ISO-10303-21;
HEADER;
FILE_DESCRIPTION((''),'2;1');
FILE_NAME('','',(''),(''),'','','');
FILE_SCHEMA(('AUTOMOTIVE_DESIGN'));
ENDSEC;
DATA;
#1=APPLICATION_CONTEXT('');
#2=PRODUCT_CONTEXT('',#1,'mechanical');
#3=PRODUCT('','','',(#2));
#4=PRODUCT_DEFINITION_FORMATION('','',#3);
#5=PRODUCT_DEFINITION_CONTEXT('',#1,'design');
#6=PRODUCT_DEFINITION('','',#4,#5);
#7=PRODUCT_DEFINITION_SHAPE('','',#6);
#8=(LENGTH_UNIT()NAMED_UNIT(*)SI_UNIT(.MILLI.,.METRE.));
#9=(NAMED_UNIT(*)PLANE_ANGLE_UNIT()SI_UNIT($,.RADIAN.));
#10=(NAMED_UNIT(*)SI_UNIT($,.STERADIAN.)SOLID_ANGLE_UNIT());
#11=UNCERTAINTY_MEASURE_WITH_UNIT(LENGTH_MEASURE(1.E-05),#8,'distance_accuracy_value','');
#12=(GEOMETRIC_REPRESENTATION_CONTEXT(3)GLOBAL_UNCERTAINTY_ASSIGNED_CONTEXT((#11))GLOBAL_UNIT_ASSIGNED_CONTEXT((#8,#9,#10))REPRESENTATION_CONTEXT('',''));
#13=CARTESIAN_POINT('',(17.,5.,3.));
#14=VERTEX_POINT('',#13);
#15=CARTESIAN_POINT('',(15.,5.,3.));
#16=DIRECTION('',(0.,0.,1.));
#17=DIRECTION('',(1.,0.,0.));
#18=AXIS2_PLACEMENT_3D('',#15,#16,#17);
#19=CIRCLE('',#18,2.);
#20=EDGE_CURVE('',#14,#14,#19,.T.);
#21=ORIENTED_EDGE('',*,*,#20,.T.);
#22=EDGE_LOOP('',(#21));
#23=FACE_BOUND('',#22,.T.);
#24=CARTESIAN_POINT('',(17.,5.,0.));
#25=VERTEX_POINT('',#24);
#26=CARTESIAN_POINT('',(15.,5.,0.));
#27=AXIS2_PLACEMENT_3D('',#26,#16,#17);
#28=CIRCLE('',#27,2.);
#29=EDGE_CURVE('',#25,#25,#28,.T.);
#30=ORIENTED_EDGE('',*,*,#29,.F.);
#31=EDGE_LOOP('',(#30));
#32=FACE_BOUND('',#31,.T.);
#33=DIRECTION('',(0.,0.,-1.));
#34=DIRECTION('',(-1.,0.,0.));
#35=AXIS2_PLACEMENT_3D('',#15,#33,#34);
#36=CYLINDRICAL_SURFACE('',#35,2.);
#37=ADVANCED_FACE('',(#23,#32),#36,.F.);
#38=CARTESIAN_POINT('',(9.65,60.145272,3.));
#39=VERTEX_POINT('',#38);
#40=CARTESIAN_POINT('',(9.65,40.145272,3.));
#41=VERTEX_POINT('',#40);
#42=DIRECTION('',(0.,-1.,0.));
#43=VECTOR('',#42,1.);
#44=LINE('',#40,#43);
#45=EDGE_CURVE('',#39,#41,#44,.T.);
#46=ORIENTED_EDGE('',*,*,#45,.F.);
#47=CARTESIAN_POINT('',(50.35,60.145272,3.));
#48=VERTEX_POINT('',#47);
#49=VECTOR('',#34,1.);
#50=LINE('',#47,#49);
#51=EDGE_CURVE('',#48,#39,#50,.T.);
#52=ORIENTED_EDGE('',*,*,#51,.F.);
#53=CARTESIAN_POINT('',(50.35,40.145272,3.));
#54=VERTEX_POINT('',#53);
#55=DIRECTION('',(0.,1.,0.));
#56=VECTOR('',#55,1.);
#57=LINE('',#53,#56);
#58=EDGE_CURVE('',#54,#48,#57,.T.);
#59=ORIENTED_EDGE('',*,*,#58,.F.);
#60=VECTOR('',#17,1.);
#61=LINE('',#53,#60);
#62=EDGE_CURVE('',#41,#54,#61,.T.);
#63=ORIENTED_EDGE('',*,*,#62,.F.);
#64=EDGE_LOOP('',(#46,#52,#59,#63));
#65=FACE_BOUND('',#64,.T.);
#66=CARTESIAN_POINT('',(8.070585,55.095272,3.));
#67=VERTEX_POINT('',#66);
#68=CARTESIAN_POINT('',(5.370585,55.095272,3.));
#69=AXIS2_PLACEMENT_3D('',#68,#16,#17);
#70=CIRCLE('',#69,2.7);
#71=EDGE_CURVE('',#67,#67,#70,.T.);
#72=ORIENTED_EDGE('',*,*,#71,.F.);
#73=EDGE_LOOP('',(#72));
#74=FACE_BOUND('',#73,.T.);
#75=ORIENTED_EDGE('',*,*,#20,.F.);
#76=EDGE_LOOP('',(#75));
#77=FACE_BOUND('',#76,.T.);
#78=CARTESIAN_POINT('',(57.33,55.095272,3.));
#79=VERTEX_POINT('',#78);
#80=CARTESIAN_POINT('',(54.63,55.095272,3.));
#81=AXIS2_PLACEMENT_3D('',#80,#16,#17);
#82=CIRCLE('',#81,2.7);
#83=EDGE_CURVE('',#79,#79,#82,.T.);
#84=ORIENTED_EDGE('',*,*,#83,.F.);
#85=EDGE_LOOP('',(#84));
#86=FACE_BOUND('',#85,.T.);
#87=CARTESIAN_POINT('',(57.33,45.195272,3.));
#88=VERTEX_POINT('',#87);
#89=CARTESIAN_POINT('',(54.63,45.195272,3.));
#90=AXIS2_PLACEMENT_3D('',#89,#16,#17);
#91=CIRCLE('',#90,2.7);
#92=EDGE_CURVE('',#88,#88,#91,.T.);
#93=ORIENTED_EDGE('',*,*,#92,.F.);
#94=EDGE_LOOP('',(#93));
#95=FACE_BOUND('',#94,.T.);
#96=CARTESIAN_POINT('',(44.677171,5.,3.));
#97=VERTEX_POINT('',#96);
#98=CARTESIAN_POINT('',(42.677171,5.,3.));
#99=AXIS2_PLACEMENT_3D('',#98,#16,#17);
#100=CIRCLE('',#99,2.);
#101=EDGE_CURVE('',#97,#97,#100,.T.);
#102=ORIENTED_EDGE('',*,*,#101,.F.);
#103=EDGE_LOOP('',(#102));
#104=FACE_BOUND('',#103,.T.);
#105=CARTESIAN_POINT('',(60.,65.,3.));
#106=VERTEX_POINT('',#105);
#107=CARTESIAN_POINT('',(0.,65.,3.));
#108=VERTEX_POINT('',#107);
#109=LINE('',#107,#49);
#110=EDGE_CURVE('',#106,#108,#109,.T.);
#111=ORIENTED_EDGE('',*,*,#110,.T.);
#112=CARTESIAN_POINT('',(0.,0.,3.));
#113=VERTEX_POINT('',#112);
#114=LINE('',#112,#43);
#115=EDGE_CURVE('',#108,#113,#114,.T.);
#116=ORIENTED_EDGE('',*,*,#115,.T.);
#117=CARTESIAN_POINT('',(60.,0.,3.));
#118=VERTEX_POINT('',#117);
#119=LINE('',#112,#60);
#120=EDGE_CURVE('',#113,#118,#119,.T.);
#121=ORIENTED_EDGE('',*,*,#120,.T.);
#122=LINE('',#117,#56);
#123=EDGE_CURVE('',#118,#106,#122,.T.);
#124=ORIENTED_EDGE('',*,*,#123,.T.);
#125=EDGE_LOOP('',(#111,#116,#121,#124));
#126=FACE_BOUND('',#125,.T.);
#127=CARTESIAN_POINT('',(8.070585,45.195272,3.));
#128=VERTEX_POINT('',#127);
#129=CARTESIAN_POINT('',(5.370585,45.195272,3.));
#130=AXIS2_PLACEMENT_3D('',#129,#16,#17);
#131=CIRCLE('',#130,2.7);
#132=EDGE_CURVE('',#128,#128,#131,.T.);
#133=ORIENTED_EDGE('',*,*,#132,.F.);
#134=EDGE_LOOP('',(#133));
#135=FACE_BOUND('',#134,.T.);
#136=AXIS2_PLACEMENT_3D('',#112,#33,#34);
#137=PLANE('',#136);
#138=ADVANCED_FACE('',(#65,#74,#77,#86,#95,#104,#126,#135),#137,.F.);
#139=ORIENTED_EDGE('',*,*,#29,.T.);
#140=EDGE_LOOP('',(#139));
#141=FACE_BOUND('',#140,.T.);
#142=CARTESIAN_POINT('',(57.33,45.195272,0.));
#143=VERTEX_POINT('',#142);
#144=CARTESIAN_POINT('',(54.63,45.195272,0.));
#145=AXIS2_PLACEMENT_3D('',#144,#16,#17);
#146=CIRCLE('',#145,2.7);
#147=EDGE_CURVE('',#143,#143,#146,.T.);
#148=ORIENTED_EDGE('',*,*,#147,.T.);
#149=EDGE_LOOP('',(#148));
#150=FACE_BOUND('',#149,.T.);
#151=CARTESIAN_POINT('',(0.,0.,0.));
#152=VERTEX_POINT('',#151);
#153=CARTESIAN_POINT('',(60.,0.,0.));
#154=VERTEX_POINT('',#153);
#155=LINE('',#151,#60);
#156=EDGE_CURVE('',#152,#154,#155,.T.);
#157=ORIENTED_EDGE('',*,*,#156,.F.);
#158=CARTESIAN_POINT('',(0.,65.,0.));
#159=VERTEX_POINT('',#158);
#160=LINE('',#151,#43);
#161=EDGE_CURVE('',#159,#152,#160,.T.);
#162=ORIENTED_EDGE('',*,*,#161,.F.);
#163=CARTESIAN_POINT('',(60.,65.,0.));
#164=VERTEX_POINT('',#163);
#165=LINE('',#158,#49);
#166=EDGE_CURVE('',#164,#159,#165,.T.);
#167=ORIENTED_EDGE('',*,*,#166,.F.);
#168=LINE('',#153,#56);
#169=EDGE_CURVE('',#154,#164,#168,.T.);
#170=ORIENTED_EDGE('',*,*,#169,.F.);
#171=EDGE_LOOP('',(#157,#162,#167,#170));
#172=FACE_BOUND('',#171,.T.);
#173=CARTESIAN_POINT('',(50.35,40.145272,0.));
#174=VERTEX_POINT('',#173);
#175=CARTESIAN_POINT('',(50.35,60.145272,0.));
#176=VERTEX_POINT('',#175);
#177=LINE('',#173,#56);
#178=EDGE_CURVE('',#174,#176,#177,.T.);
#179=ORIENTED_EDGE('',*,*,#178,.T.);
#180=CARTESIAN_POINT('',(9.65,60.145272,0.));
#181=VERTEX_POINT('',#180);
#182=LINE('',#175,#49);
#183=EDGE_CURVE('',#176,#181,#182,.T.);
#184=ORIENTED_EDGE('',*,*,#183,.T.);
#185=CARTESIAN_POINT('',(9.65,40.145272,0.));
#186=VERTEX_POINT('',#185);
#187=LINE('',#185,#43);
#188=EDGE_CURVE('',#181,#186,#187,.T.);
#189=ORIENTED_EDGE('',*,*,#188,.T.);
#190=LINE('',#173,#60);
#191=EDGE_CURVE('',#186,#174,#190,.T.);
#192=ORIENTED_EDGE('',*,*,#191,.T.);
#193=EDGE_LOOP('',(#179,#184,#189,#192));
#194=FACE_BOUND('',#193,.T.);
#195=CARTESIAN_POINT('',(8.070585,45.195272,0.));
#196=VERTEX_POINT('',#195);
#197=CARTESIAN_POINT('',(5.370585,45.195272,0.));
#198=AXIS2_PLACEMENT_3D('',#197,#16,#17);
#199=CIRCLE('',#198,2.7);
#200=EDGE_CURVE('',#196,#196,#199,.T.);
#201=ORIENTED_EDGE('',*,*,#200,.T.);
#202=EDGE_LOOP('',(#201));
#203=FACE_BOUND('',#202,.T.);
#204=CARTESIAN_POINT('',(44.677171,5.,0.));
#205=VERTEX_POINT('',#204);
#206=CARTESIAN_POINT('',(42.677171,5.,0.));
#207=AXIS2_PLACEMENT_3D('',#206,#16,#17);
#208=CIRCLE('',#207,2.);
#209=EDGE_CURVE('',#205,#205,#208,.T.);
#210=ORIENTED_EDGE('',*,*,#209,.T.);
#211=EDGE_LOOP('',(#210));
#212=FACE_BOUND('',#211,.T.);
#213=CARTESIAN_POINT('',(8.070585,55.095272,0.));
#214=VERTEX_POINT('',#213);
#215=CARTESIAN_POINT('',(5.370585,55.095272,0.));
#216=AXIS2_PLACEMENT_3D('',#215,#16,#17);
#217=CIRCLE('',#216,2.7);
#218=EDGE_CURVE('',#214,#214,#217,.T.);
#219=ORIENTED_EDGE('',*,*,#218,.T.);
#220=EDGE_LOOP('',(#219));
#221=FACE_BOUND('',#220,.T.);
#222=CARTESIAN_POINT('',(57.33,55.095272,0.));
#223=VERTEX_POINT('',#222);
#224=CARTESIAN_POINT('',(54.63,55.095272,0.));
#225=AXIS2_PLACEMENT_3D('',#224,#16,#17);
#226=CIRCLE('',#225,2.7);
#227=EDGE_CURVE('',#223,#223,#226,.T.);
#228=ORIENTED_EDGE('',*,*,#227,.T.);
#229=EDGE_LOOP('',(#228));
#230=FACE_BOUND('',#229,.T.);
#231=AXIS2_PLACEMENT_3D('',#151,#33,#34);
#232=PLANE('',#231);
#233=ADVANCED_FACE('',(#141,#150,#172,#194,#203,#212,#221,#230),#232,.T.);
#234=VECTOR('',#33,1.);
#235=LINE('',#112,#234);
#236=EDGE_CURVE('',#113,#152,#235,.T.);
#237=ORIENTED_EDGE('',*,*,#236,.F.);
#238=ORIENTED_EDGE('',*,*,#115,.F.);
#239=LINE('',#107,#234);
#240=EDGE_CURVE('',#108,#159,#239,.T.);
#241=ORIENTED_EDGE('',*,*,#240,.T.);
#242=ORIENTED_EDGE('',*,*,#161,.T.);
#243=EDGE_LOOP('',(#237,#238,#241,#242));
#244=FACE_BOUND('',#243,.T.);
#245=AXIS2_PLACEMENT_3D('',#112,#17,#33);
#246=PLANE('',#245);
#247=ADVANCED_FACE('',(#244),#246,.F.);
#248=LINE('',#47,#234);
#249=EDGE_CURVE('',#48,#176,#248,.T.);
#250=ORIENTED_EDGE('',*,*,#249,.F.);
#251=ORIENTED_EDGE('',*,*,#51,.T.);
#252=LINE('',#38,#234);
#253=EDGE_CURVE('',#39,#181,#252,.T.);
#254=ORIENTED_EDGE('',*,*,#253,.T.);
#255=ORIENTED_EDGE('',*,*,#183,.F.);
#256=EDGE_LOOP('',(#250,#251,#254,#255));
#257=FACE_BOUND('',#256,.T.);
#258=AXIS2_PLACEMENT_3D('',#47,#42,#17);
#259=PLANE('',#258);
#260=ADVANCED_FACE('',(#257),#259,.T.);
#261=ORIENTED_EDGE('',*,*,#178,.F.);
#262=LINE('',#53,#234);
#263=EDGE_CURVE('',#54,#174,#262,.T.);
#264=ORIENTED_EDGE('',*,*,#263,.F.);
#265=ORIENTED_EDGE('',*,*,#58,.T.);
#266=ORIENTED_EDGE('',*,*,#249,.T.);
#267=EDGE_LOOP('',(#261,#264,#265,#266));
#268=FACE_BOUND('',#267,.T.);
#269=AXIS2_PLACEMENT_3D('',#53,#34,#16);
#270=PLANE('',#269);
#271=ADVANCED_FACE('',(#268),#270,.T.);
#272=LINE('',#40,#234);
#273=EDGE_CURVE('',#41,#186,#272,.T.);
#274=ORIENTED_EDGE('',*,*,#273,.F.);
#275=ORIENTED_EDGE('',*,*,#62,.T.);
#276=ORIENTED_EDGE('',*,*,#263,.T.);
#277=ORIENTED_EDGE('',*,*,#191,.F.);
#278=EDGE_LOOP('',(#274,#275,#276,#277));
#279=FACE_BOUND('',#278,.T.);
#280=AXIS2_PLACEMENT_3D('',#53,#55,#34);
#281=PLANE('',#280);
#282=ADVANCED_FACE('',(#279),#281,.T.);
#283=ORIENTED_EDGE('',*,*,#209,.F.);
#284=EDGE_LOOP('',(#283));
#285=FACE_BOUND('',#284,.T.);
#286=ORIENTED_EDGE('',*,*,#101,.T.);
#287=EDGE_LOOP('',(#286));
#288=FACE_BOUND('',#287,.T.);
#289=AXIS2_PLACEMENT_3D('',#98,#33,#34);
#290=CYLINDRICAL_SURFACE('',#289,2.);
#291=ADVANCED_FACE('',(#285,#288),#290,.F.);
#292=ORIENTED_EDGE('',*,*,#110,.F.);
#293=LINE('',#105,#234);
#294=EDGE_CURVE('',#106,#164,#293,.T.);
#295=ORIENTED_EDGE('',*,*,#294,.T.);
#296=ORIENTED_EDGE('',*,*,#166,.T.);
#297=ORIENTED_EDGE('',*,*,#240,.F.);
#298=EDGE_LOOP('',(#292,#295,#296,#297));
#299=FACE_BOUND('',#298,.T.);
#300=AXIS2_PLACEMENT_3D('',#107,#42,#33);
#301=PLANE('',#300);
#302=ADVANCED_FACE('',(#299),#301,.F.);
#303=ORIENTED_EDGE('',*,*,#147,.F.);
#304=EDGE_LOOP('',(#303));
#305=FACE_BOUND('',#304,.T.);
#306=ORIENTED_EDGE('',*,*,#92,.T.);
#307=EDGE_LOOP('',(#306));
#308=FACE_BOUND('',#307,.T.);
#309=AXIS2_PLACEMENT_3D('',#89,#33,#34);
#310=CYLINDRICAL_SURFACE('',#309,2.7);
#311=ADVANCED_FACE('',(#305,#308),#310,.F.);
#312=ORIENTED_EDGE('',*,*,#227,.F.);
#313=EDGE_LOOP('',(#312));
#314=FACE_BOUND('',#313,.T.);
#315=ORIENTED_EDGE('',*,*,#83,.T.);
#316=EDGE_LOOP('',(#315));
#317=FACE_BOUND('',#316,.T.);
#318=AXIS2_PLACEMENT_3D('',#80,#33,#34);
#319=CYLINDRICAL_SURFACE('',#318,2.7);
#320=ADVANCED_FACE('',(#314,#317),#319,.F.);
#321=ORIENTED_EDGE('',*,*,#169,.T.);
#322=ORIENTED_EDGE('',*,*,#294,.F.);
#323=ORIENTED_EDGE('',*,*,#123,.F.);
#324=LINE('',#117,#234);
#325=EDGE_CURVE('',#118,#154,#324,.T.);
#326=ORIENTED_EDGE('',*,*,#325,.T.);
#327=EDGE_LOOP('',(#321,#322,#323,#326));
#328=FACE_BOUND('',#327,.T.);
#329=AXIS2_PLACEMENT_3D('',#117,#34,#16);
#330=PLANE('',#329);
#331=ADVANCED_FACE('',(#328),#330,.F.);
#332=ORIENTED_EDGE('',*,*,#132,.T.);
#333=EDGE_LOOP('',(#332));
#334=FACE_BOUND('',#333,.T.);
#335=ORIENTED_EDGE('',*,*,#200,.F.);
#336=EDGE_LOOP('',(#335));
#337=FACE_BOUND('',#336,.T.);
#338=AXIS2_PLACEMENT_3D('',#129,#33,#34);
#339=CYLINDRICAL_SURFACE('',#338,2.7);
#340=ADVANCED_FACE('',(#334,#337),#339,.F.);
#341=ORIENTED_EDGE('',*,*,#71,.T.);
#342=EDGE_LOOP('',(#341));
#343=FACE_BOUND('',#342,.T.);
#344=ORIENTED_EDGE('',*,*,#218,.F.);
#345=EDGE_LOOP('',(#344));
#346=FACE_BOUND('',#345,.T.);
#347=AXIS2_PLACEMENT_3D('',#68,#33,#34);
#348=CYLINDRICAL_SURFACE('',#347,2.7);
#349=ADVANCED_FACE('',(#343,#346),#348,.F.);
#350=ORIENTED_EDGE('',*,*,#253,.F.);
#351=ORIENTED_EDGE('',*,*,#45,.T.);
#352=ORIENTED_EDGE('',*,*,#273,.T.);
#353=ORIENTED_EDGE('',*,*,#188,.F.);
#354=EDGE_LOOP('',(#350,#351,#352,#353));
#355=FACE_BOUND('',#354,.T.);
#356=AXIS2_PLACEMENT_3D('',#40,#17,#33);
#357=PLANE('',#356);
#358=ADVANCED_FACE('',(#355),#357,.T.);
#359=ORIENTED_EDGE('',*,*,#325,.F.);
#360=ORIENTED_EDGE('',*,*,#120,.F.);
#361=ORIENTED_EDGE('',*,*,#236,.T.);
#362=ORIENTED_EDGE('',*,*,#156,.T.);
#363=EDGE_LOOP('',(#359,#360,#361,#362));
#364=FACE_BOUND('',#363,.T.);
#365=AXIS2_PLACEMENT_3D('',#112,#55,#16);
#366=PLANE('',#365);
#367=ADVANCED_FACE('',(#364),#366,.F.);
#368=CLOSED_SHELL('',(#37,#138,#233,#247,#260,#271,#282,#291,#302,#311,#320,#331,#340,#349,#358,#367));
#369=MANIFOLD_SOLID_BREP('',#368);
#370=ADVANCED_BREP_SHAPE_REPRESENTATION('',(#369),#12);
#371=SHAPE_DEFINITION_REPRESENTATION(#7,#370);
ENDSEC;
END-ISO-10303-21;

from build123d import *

# Parameters (mm, degrees)
SKETCH1_W           = 60
SKETCH1_H           = 65
SKETCH1_R           = 2.7
SKETCH1_R_2         = 2
SKETCH1_W_2         = 40.7
SKETCH1_H_2         = 20
BOSS_EXTRUDE1_DEPTH = 3


with BuildPart() as part:
    # Sketch1 → Boss-Extrude1 (new body)
    with BuildSketch(Plane.XY):
        with Locations((30, 32.5)):
            Rectangle(SKETCH1_W, SKETCH1_H)
        with Locations((5.370585291, 55.095272019)):
            Circle(SKETCH1_R, mode=Mode.SUBTRACT)
        with Locations((5.370585291, 45.195272019)):
            Circle(SKETCH1_R, mode=Mode.SUBTRACT)
        with Locations((54.63, 55.095272019)):
            Circle(SKETCH1_R, mode=Mode.SUBTRACT)
        with Locations((54.63, 45.195272019)):
            Circle(SKETCH1_R, mode=Mode.SUBTRACT)
        with Locations((15, 5)):
            Circle(SKETCH1_R_2, mode=Mode.SUBTRACT)
        with Locations((42.677171148, 5)):
            Circle(SKETCH1_R_2, mode=Mode.SUBTRACT)
        with Locations((30, 50.145272019)):
            Rectangle(SKETCH1_W_2, SKETCH1_H_2, mode=Mode.SUBTRACT)
    extrude(amount=BOSS_EXTRUDE1_DEPTH)


solid = part.part
